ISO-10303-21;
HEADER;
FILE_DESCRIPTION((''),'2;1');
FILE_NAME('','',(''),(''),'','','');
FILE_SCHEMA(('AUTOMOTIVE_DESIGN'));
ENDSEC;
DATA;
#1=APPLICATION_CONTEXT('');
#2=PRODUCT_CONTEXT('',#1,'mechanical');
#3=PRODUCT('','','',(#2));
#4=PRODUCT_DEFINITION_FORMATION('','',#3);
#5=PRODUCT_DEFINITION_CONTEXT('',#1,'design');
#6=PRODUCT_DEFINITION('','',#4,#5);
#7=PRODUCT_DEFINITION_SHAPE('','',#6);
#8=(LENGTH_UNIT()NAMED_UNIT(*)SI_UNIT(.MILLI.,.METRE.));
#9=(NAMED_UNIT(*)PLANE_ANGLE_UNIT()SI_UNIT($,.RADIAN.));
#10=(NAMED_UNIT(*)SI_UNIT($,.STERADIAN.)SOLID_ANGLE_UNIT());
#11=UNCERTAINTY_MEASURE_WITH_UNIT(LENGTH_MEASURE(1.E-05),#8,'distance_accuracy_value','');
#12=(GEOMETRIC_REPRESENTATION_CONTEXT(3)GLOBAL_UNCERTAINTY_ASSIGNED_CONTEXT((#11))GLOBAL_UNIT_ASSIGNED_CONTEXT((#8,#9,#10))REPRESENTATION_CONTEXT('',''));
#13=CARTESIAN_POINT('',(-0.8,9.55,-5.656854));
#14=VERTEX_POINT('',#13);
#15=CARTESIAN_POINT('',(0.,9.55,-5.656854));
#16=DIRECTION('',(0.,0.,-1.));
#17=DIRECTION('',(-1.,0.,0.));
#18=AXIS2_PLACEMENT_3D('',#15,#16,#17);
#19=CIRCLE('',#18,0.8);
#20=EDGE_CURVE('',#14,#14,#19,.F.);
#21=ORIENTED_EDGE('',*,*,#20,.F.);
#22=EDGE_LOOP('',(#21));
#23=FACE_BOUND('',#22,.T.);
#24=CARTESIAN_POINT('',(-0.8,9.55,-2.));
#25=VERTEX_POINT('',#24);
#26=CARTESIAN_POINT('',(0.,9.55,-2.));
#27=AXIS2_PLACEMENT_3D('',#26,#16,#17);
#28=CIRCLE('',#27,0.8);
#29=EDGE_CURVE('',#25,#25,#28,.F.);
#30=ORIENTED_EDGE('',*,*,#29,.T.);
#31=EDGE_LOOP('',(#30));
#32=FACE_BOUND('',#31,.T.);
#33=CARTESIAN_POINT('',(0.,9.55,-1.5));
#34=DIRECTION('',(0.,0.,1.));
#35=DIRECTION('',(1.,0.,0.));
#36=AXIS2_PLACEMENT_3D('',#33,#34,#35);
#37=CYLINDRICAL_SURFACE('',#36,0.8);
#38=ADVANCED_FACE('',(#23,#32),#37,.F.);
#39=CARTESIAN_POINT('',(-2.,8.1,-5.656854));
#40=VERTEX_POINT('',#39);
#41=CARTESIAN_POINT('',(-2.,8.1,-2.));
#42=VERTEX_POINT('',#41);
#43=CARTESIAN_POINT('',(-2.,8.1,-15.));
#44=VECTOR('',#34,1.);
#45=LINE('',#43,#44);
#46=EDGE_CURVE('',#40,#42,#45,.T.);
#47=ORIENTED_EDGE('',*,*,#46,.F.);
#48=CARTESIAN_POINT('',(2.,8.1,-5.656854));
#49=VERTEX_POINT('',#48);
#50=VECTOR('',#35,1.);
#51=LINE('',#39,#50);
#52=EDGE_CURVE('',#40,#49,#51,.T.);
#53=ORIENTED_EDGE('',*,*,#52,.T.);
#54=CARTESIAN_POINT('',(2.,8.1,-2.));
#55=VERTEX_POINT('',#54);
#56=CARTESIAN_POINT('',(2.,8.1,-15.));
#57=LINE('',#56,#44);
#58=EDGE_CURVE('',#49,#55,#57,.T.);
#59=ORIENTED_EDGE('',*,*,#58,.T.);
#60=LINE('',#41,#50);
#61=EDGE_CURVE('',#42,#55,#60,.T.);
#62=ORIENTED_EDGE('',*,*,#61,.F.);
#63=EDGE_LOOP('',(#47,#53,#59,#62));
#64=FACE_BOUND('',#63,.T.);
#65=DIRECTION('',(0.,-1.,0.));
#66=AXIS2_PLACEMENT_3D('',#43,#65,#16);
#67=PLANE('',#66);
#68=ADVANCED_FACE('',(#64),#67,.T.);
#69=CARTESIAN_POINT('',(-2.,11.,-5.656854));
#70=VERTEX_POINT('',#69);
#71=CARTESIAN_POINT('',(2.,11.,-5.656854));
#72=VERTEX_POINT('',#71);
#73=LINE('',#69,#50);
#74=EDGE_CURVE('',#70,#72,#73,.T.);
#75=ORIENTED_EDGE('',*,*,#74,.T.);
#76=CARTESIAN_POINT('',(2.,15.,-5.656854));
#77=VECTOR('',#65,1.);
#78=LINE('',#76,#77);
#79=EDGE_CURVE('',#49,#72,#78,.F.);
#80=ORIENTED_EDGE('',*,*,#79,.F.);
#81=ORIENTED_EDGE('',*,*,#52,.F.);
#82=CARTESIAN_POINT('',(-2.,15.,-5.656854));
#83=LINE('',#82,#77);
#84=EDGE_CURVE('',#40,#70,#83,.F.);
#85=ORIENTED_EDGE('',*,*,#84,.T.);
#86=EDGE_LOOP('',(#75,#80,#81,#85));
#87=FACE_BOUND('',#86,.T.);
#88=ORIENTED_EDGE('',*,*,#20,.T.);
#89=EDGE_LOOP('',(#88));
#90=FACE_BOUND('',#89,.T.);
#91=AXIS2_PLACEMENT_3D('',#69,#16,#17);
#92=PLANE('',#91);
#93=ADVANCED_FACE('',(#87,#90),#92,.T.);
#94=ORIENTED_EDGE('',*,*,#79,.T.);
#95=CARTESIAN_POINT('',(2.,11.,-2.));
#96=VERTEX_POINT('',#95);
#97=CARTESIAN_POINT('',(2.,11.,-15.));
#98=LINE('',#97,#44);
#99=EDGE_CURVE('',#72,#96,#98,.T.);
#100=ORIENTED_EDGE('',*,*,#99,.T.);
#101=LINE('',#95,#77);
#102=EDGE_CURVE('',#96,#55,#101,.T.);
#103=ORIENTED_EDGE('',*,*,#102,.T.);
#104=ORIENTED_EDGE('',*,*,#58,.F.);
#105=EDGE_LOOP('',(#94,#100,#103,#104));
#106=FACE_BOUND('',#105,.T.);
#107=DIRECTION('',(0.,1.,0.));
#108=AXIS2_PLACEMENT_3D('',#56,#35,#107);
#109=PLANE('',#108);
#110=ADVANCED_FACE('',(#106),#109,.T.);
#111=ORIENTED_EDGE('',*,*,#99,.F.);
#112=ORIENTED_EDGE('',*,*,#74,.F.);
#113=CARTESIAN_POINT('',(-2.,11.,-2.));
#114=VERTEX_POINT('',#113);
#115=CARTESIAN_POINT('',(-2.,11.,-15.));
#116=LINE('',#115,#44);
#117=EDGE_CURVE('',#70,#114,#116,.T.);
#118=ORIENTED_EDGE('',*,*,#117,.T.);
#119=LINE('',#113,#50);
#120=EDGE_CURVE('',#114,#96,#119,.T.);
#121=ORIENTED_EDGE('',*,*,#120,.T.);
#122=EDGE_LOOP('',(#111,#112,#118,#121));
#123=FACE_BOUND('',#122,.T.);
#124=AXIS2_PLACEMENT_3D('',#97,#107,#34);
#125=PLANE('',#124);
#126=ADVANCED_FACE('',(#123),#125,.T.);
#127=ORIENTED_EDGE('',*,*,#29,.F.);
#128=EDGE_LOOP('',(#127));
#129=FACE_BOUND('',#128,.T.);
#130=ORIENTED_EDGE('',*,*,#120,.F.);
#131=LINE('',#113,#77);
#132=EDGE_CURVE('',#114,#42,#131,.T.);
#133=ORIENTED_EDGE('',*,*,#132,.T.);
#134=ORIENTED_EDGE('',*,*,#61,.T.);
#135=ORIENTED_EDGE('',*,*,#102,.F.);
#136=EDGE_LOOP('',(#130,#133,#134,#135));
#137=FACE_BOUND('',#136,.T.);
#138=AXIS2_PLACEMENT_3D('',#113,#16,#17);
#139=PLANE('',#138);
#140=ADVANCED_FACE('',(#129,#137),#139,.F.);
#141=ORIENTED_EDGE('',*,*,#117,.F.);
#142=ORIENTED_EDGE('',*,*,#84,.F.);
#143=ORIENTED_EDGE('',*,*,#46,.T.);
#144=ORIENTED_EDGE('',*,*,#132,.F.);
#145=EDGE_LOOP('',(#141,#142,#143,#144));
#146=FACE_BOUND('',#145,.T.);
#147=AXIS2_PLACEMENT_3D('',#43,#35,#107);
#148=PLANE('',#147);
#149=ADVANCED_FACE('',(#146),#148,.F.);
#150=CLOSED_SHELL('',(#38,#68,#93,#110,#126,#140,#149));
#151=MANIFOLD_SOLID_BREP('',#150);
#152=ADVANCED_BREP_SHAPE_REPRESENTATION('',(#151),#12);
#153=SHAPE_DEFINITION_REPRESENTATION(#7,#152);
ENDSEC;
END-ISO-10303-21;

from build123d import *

# Parameters (mm, degrees)
SKETCH_1_R            = 15
EXTRUDE_1_DEPTH       = 5
HOLE_WIZARD_M3_1_D    = 2.5
SKETCH_4_R            = 6
EXTRUDE_2_DEPTH       = 10
SKETCH_5_R            = 2.5
CUT_EXTRUDE_1_DEPTH   = 26.980762114
FILLET_1_R            = 0.5
SKETCH_6_OUTSIDE_W    = 41
SKETCH_6_OUTSIDE_H    = 26
SKETCH_6_OUTSIDE_W_2  = 4
SKETCH_6_OUTSIDE_H_2  = 2.9
CUT_EXTRUDE_3_DEPTH   = 26.980762114
SKETCH_7_W            = 4
SKETCH_7_H            = 1.308251765
EXTRUDE_3_DEPTH       = 2.9
HOLE_WIZARD_M2_1_D    = 1.6
SKETCH_12_OUTSIDE_W   = 7.336
SKETCH_12_OUTSIDE_H   = 7.836
SKETCH_12_OUTSIDE_W_2 = 4
SKETCH_12_OUTSIDE_H_2 = 4.156854249
CUT_EXTRUDE_4_DEPTH   = 7.957729671
SKETCH_13_W           = 4
SKETCH_13_H           = 0.5
CUT_EXTRUDE_5_DEPTH   = 7.664082833


with BuildPart() as part:
    # 草图1 → 凸台-拉伸1 (new body)
    with BuildSketch(Plane(origin=(0, 0, 0), x_dir=(1, 0, 0), z_dir=(0, 1, 0))):
        with Locations(Location((0, 0, 0), (0, 0, 270))):
            Circle(SKETCH_1_R)
    extrude(amount=EXTRUDE_1_DEPTH)

    # M3 螺纹孔的螺纹孔钻头1 (through all)
    with Locations(Plane(origin=(0, 5, 0), x_dir=(1, 0, 0), z_dir=(0, 1, 0))):
        with Locations((12, 0), (0, 12), (0, -12), (-12, 0)):
            Hole(HOLE_WIZARD_M3_1_D / 2)

    # 草图4 → 凸台-拉伸2 (add)
    with BuildSketch(Plane(origin=(0, 5, 0), x_dir=(1, 0, 0), z_dir=(0, 1, 0))):
        with Locations(Location((0, 0, 0), (0, 0, 270))):
            Circle(SKETCH_4_R)
    extrude(amount=EXTRUDE_2_DEPTH)

    # 草图5 → 切除-拉伸1 (cut, through all)
    with BuildSketch(Plane(origin=(0, 15, 0), x_dir=(1, 0, 0), z_dir=(0, 1, 0))):
        with Locations(Location((0, 0, 0), (0, 0, 270))):
            Circle(SKETCH_5_R)
    extrude(amount=-CUT_EXTRUDE_1_DEPTH, mode=Mode.SUBTRACT)

    # 圆角1
    fillet_1_edges = [part.edges().sort_by_distance(p)[0] for p in [
        (0, 5, -6),
    ]]
    fillet(fillet_1_edges, radius=FILLET_1_R)

    # 草图6 outside → 切除-拉伸3 (cut, through all)
    with BuildSketch(Plane.XY):
        with Locations((0, 7.5)):
            Rectangle(SKETCH_6_OUTSIDE_W, SKETCH_6_OUTSIDE_H)
        with Locations((0, 9.55)):
            Rectangle(SKETCH_6_OUTSIDE_W_2, SKETCH_6_OUTSIDE_H_2, mode=Mode.SUBTRACT)
    extrude(amount=-CUT_EXTRUDE_3_DEPTH, mode=Mode.SUBTRACT)


with BuildPart() as body_2:
    # of the pieces the cut leaves, the one that is kept (cut_extrude_3_keep)
    add(part.part.solids().sort_by_distance((2, 8.1, -1.5))[0])

    # 草图7 → 凸台-拉伸3 (add, through all)
    with BuildSketch(Plane(origin=(0, 11, 0), x_dir=(1, 0, 0), z_dir=(0, 1, 0))):
        with Locations((0, 2.154125882)):
            Rectangle(SKETCH_7_W, SKETCH_7_H)
    extrude(amount=-EXTRUDE_3_DEPTH)

    # M2 螺纹孔的螺纹孔钻头1 (through all)
    with Locations(Plane.XY.offset(-1.5)):
        with Locations((0, 9.55)):
            Hole(HOLE_WIZARD_M2_1_D / 2)

    # 草图12 outside → 切除-拉伸4 (cut, through all)
    with BuildSketch(Plane.XZ.offset(-8.1)):
        with Locations((0, -3.75)):
            Rectangle(SKETCH_12_OUTSIDE_W, SKETCH_12_OUTSIDE_H)
        with Locations((0, -3.578427125)):
            Rectangle(SKETCH_12_OUTSIDE_W_2, SKETCH_12_OUTSIDE_H_2, mode=Mode.SUBTRACT)
    extrude(amount=-CUT_EXTRUDE_4_DEPTH, mode=Mode.SUBTRACT)

    # 草图13 → 切除-拉伸5 (cut, through all)
    with BuildSketch(Plane.XZ.offset(-8.1)):
        with Locations((0, -1.75)):
            Rectangle(SKETCH_13_W, SKETCH_13_H)
    extrude(amount=-CUT_EXTRUDE_5_DEPTH, mode=Mode.SUBTRACT)


solid = body_2.part
